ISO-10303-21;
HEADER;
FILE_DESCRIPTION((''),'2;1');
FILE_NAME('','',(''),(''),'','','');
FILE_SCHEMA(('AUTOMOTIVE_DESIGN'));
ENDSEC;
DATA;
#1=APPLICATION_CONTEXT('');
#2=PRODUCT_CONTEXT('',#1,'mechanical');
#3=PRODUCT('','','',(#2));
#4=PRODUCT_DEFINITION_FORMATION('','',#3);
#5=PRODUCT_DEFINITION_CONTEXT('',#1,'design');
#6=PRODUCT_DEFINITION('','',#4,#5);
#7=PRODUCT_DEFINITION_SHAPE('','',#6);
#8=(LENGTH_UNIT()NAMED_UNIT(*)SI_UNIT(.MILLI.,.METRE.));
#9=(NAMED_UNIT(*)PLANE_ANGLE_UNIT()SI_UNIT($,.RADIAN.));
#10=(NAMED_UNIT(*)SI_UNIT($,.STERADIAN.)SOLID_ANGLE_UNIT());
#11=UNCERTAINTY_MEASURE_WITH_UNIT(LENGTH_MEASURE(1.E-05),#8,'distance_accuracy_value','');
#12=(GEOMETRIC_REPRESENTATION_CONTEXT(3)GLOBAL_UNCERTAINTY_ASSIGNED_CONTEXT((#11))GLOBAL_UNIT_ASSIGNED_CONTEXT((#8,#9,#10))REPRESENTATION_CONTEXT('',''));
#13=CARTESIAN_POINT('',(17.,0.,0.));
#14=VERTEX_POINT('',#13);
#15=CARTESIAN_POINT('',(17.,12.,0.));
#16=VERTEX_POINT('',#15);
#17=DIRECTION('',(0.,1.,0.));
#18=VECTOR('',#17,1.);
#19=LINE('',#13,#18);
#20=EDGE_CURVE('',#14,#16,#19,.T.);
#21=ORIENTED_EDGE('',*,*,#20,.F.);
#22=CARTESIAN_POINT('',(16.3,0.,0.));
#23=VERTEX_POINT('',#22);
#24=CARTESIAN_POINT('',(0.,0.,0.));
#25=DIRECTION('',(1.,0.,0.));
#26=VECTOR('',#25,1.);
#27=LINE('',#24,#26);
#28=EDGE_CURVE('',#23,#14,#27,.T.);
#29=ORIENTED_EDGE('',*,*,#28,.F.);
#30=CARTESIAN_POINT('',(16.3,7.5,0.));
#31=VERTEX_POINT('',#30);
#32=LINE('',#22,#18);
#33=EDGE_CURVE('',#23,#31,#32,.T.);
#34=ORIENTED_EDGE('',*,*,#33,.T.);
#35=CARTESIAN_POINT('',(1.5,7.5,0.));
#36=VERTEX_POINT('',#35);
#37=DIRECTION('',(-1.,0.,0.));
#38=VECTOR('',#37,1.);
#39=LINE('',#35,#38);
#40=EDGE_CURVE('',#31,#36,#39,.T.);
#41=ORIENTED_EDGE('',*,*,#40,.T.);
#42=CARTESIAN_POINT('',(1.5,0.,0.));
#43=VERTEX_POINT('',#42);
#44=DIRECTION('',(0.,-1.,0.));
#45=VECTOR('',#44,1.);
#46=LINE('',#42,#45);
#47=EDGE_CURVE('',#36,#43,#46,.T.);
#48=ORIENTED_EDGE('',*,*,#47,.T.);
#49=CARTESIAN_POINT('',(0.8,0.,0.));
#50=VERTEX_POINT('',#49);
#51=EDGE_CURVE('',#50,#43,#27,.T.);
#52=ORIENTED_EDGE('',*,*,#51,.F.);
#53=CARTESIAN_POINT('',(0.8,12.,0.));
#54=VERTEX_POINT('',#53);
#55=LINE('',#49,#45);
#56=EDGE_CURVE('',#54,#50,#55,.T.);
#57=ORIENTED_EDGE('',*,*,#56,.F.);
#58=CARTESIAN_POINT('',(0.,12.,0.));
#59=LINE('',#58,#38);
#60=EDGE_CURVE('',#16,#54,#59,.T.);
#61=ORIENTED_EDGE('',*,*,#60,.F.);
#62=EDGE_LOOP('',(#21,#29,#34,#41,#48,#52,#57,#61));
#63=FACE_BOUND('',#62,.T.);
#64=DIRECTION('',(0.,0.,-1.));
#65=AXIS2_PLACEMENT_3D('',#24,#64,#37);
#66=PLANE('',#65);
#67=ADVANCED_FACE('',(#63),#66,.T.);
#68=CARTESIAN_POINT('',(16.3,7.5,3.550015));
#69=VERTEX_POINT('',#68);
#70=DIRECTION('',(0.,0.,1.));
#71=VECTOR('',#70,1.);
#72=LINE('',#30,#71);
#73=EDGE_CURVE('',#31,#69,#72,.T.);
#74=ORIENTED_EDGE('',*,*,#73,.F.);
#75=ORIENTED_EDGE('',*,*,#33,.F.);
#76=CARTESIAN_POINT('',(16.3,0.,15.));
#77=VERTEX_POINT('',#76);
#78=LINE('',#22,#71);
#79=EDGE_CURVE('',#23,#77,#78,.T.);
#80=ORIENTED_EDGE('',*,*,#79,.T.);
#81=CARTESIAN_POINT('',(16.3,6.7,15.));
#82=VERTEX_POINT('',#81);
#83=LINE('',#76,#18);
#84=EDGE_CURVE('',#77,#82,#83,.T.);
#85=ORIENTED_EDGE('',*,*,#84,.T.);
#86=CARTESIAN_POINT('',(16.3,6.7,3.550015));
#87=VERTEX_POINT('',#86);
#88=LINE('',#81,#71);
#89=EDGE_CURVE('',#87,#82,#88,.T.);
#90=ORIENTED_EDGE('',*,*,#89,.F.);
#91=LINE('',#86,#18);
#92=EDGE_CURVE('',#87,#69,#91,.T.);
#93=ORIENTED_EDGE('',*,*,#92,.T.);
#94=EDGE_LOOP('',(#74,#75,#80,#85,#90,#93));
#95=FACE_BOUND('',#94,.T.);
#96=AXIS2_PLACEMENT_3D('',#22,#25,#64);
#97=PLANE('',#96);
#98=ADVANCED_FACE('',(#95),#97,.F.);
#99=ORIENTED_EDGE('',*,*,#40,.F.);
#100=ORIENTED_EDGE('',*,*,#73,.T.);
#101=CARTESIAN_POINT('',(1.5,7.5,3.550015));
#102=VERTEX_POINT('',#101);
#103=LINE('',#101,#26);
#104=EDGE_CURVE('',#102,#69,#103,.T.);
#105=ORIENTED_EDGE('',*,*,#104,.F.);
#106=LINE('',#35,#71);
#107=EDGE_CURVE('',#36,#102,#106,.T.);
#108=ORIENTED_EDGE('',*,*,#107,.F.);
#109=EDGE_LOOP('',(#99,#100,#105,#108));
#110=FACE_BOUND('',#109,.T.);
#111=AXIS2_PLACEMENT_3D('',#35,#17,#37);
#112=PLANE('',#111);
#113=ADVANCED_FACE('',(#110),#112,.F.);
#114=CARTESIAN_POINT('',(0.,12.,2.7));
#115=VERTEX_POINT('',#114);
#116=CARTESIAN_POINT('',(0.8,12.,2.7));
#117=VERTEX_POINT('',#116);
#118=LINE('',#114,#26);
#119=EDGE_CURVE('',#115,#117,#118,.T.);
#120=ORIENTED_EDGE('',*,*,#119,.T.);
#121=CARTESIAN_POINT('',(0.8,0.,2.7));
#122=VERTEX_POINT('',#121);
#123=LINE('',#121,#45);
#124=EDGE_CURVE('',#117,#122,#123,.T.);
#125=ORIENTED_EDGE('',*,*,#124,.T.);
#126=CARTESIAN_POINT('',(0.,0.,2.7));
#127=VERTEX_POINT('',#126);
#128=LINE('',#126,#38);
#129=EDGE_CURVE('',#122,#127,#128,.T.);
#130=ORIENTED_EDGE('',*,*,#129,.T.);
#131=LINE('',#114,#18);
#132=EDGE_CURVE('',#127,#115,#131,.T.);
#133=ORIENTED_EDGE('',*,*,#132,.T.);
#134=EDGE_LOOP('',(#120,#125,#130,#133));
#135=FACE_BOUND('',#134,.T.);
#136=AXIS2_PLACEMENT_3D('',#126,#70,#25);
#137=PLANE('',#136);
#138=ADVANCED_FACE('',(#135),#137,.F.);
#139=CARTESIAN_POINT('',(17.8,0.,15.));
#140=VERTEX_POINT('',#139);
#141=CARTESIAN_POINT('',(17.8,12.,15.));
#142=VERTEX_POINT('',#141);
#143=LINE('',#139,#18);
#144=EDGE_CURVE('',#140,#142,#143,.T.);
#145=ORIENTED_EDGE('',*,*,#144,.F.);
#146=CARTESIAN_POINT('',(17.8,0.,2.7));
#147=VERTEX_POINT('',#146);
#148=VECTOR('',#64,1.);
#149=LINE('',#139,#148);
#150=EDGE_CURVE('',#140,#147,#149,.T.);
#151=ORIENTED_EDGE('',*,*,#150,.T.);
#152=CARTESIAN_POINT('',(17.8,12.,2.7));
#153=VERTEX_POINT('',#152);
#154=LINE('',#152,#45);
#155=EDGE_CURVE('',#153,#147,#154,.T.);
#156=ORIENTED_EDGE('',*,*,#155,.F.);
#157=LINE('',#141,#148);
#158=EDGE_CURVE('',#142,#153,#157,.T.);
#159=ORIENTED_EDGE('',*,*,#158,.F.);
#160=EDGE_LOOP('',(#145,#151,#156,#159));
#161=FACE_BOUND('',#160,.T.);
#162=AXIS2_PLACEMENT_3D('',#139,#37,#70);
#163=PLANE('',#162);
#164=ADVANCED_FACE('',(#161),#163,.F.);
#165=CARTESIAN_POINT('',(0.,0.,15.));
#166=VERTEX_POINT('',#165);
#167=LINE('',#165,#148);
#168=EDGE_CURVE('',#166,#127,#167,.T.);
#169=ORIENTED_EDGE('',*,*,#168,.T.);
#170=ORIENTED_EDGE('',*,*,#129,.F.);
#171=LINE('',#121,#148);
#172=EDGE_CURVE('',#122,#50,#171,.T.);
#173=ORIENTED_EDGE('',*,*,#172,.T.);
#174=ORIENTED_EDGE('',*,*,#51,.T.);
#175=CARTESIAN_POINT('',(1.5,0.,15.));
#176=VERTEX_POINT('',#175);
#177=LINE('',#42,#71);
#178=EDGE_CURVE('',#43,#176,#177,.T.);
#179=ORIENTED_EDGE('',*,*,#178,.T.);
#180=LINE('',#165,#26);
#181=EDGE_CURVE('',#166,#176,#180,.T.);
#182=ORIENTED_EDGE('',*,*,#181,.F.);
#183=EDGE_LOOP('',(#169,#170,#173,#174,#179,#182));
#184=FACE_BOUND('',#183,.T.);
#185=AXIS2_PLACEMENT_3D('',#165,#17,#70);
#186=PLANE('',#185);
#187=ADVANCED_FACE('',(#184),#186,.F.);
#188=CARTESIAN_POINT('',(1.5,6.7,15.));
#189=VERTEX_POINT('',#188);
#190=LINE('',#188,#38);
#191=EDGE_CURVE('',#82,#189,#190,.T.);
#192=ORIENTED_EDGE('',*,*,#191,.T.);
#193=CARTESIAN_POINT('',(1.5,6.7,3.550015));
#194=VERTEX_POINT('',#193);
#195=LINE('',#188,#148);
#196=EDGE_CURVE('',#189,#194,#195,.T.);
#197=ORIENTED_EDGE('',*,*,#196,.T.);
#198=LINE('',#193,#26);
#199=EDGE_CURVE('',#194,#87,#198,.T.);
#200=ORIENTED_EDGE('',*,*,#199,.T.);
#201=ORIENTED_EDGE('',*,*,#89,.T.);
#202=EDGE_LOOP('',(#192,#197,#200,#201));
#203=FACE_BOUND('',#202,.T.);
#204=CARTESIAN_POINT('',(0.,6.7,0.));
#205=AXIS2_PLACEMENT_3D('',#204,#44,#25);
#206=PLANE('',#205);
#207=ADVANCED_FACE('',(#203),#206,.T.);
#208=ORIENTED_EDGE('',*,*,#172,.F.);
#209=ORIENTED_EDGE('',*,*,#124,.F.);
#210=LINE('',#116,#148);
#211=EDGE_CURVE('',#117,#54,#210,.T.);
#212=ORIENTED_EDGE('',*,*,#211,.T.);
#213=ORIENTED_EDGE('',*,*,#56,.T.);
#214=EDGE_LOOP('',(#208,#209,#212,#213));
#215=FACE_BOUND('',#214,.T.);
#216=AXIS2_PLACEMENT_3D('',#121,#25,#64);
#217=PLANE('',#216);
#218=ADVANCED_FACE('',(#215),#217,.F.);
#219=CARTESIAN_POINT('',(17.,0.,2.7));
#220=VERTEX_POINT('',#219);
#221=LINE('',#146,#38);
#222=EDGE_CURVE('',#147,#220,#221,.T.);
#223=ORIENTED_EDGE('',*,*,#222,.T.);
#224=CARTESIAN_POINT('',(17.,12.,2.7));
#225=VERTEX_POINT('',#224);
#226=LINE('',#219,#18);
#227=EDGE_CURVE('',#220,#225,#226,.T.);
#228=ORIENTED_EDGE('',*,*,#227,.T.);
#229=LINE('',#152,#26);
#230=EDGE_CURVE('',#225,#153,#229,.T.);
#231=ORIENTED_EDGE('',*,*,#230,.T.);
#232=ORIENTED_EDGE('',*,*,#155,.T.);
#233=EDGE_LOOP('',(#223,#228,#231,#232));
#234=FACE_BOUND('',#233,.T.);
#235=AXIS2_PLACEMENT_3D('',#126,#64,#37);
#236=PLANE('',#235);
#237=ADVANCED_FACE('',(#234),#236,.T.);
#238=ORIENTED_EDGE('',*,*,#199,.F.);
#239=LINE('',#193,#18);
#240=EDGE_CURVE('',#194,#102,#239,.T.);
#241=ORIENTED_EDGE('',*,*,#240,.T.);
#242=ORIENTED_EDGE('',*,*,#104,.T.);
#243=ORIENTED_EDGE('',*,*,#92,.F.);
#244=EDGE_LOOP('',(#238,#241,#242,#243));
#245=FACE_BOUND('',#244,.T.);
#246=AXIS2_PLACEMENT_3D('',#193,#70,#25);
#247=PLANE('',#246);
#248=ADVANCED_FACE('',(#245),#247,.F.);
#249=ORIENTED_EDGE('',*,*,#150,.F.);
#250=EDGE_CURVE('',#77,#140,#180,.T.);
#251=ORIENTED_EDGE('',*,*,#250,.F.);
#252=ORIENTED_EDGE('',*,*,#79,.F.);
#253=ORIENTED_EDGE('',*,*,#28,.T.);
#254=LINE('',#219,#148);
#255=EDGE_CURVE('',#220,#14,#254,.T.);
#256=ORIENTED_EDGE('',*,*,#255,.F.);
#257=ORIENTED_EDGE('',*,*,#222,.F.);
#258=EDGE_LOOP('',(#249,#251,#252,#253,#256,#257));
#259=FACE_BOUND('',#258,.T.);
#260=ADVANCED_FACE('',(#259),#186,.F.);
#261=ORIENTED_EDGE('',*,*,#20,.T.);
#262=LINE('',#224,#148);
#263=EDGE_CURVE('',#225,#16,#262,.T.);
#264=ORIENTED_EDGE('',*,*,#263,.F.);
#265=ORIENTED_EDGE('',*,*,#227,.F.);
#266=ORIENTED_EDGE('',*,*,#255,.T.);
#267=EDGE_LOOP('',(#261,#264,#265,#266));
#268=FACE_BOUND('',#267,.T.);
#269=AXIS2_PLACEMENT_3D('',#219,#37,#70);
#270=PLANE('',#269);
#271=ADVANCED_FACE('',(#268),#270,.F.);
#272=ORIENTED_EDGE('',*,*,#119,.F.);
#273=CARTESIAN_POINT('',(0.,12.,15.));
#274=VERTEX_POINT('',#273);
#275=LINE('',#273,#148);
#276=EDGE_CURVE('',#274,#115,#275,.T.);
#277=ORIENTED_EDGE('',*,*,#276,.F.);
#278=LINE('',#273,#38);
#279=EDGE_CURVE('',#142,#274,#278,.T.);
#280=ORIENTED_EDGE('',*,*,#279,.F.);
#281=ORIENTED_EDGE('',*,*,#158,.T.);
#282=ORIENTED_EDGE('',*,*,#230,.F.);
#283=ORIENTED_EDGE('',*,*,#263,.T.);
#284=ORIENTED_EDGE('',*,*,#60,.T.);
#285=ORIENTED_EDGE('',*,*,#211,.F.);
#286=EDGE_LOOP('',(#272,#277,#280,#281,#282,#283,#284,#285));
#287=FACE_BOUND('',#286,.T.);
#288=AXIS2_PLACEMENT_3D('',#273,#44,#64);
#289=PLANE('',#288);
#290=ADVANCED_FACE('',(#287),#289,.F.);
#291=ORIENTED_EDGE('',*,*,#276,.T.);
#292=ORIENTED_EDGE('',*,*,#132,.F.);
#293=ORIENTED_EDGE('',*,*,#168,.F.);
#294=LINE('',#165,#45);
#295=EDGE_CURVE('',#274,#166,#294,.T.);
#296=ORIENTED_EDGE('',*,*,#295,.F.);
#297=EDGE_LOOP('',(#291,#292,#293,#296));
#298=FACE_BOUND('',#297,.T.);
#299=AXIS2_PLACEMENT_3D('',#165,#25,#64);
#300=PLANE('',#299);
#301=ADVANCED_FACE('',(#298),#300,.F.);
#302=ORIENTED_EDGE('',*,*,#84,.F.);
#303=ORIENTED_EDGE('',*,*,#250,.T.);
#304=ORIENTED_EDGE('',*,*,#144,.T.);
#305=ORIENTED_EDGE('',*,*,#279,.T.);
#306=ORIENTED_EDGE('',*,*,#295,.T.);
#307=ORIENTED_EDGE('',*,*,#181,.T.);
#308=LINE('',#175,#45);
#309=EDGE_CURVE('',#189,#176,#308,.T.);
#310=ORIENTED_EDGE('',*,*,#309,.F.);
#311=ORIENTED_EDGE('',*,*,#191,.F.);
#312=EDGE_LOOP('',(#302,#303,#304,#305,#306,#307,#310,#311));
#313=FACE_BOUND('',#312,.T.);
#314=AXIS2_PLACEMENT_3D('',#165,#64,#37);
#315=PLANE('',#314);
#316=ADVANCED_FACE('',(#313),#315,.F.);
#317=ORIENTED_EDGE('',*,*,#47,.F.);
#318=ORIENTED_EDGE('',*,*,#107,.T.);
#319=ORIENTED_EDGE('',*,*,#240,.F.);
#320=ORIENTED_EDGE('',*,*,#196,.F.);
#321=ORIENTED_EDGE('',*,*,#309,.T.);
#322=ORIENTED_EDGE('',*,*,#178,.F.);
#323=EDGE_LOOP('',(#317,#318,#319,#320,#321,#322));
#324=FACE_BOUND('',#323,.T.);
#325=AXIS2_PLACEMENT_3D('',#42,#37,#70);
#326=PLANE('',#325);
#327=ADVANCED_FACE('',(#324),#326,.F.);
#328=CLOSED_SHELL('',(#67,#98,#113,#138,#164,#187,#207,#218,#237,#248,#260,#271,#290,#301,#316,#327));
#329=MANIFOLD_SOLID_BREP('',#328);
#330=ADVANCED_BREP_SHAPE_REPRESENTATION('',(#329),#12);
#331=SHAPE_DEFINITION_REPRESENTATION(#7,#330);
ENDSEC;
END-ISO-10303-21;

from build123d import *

# Parameters (mm, degrees)
SKETCH1_W           = 17.8
SKETCH1_H           = 12
BOSS_EXTRUDE1_DEPTH = 15
SKETCH2_W           = 14.8
SKETCH2_H           = 7.5
CUT_EXTRUDE1_DEPTH  = 27.188547115
SKETCH3_W           = 14.8
SKETCH3_H           = 11.449984897
BOSS_EXTRUDE2_DEPTH = 0.8
SKETCH4_W           = 0.8
SKETCH4_H           = 12
CUT_EXTRUDE2_DEPTH  = 2.7


with BuildPart() as part:
    # Sketch1 → Boss-Extrude1 (new body)
    with BuildSketch(Plane.XY):
        with Locations((8.9, 6)):
            Rectangle(SKETCH1_W, SKETCH1_H)
    extrude(amount=BOSS_EXTRUDE1_DEPTH)

    # Sketch2 → Cut-Extrude1 (cut, through all)
    with BuildSketch(Plane.XY.offset(15)):
        with Locations((8.9, 3.75)):
            Rectangle(SKETCH2_W, SKETCH2_H)
    extrude(amount=-CUT_EXTRUDE1_DEPTH, mode=Mode.SUBTRACT)

    # Sketch3 → Boss-Extrude2 (add)
    with BuildSketch(Plane.XZ.offset(-7.5)):
        with Locations((8.9, 9.275007552)):
            Rectangle(SKETCH3_W, SKETCH3_H)
    extrude(amount=BOSS_EXTRUDE2_DEPTH)

    # Sketch4 → Cut-Extrude2 (cut)
    with BuildSketch(Plane(origin=(0, 0, 0), x_dir=(-1, 0, 0), z_dir=(0, 0, -1))):
        with Locations((-17.4, 6)):
            Rectangle(SKETCH4_W, SKETCH4_H)
        with Locations((-0.4, 6)):
            Rectangle(SKETCH4_W, SKETCH4_H)
    extrude(amount=-CUT_EXTRUDE2_DEPTH, mode=Mode.SUBTRACT)


solid = part.part
